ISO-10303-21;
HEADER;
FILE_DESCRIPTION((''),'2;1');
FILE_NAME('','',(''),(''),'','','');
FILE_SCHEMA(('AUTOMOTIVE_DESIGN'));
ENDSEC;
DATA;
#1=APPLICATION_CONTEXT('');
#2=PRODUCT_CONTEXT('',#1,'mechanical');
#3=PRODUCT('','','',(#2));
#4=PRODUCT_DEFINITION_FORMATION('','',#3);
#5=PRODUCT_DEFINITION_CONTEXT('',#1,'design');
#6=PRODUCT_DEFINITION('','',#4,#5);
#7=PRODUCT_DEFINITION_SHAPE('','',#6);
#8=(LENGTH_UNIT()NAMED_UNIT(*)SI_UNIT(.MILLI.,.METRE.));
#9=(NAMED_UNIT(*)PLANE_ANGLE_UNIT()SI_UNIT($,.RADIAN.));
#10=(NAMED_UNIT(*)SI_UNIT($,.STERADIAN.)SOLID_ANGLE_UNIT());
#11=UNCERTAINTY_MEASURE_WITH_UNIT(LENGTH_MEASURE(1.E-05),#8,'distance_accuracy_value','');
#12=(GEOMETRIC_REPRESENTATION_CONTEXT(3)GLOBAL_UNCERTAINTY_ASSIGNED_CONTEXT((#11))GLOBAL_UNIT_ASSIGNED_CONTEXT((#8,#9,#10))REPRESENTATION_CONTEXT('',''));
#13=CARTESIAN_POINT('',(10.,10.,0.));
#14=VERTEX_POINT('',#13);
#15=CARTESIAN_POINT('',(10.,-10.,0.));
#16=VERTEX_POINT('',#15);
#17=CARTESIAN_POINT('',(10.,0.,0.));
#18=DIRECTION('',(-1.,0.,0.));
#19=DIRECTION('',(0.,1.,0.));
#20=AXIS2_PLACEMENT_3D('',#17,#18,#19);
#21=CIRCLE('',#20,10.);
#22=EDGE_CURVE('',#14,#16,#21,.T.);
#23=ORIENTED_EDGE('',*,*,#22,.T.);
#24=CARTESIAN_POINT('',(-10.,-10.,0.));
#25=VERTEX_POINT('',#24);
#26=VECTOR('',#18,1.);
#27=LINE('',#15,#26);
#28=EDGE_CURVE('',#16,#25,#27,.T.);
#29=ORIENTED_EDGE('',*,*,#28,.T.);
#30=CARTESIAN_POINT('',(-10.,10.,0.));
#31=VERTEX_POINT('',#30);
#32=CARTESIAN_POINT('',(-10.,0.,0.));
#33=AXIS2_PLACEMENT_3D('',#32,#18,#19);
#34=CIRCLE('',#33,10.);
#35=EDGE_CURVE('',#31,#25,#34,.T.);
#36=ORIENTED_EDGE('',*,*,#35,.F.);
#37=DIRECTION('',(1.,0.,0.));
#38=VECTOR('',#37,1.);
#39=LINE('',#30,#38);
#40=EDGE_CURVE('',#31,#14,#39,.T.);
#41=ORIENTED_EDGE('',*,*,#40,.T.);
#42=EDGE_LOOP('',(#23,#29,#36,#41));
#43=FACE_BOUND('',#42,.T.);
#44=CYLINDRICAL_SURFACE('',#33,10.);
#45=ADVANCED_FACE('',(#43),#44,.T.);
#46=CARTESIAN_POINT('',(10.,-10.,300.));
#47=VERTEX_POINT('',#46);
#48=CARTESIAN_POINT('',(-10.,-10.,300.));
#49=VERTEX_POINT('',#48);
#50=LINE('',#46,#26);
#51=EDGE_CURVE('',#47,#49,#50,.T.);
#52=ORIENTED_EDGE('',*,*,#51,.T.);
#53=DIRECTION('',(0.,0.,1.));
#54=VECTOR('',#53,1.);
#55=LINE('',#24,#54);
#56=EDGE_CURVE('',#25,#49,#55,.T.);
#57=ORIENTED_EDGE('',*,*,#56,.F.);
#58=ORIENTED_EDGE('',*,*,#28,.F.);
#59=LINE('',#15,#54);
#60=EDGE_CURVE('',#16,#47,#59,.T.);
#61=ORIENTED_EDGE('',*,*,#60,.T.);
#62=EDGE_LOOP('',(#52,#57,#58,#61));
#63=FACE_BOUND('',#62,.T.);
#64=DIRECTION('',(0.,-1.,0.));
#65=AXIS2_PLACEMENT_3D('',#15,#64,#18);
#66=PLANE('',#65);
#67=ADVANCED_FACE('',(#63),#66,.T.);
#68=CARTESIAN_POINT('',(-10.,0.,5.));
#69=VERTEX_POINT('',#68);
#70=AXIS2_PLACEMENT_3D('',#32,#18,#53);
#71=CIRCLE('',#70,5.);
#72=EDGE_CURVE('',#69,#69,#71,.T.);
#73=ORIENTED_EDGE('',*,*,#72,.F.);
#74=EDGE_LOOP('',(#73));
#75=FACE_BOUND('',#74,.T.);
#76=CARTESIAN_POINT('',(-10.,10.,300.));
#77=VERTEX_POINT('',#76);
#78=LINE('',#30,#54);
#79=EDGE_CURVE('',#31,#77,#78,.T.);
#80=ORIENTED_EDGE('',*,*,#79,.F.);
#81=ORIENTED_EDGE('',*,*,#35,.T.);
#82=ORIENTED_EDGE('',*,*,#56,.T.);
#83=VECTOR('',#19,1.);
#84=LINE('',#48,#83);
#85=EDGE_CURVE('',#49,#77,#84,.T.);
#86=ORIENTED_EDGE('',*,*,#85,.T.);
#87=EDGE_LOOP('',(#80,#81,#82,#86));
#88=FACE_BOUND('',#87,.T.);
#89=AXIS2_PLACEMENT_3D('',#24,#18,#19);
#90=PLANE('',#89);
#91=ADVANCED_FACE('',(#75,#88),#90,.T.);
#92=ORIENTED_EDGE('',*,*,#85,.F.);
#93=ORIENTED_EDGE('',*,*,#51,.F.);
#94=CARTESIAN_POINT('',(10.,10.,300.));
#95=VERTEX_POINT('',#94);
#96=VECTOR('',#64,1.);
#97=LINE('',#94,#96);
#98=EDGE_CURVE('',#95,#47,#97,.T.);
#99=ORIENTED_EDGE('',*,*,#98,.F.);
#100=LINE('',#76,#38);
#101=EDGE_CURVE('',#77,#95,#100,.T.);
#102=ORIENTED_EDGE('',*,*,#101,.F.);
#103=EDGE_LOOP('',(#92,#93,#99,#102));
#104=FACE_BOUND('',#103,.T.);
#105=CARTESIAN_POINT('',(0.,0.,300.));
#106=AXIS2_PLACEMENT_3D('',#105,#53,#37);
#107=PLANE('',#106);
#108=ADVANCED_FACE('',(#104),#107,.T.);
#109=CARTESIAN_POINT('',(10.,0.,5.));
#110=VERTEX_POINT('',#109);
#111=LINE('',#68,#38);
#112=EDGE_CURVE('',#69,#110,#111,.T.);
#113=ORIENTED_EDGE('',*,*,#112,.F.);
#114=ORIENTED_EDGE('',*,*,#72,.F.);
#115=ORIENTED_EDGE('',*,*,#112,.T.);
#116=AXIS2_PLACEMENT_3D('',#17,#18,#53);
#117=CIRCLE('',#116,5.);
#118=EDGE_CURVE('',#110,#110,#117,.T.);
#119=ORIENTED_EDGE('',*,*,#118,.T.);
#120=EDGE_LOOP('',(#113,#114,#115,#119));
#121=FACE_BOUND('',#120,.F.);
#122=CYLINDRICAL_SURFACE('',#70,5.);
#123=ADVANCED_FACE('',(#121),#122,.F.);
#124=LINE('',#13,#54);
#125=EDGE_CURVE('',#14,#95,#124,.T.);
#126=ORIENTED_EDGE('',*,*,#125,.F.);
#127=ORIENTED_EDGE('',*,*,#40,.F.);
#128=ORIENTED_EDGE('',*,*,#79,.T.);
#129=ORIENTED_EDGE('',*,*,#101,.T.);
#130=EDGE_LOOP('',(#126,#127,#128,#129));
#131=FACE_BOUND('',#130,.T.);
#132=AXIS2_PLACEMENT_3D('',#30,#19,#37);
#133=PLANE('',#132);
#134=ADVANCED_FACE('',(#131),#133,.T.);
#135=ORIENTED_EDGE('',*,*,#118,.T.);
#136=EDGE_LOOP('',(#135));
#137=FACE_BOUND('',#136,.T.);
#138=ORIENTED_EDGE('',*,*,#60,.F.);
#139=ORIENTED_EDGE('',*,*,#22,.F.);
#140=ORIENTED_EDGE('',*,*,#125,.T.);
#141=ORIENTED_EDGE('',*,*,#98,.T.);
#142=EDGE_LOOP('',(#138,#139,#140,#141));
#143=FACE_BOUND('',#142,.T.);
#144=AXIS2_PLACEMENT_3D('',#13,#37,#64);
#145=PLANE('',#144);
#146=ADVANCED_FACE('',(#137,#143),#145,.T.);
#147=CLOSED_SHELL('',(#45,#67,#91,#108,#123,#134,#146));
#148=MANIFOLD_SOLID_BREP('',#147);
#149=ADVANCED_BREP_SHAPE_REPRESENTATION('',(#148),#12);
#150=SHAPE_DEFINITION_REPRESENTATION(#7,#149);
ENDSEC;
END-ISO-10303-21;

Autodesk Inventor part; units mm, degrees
ref_plane "YZ Plane" through (0, 0, 0) normal (1, 0, 0) x (0, 1, 0)
ref_plane "XZ Plane" through (0, 0, 0) normal (0, 1, 0) x (-1, 0, 0)
ref_plane "XY Plane" through (0, 0, 0) normal (0, 0, 1) x (1, 0, 0)
sketch "Sketch1" plane through (0, 0, 0) normal (0, 0, 1) x (1, 0, 0)
  line L0 (-10, 10) -> (10, 10)
  line L1 (10, 10) -> (10, -10)
  line L2 (10, -10) -> (-10, -10)
  line L3 (-10, -10) -> (-10, 10)
  point P0 (0, 0)
  dimension "d0" = 20
  dimension "d1" = 20
  dimension "d2" = 10
  dimension "d3" = 10
extrude "Extrusion1" add sketch "Sketch1" along normal blind 300
sketch "Sketch2" plane through (-10, -10, 0) normal (-1, 0, 0) x (0, 0, 1)
  line L0 (0, 0) -> (0, 20) projected
  arc A0 (0, 20) -> (0, 0) centre (0, 10) ccw
extrude "Extrusion2" add sketch "Sketch2" against normal up to surface (20 mm away)
sketch "Sketch3" plane through (-10, -10, 300) normal (-1, 0, 0) x (0, 0, 1)
  circle A0 centre (-300, 10) radius 5
  dimension "d8" = 10
extrude "Extrusion3" cut sketch "Sketch3" against normal blind 30
properties part number "prismaticLink" material "Stainless Steel"
